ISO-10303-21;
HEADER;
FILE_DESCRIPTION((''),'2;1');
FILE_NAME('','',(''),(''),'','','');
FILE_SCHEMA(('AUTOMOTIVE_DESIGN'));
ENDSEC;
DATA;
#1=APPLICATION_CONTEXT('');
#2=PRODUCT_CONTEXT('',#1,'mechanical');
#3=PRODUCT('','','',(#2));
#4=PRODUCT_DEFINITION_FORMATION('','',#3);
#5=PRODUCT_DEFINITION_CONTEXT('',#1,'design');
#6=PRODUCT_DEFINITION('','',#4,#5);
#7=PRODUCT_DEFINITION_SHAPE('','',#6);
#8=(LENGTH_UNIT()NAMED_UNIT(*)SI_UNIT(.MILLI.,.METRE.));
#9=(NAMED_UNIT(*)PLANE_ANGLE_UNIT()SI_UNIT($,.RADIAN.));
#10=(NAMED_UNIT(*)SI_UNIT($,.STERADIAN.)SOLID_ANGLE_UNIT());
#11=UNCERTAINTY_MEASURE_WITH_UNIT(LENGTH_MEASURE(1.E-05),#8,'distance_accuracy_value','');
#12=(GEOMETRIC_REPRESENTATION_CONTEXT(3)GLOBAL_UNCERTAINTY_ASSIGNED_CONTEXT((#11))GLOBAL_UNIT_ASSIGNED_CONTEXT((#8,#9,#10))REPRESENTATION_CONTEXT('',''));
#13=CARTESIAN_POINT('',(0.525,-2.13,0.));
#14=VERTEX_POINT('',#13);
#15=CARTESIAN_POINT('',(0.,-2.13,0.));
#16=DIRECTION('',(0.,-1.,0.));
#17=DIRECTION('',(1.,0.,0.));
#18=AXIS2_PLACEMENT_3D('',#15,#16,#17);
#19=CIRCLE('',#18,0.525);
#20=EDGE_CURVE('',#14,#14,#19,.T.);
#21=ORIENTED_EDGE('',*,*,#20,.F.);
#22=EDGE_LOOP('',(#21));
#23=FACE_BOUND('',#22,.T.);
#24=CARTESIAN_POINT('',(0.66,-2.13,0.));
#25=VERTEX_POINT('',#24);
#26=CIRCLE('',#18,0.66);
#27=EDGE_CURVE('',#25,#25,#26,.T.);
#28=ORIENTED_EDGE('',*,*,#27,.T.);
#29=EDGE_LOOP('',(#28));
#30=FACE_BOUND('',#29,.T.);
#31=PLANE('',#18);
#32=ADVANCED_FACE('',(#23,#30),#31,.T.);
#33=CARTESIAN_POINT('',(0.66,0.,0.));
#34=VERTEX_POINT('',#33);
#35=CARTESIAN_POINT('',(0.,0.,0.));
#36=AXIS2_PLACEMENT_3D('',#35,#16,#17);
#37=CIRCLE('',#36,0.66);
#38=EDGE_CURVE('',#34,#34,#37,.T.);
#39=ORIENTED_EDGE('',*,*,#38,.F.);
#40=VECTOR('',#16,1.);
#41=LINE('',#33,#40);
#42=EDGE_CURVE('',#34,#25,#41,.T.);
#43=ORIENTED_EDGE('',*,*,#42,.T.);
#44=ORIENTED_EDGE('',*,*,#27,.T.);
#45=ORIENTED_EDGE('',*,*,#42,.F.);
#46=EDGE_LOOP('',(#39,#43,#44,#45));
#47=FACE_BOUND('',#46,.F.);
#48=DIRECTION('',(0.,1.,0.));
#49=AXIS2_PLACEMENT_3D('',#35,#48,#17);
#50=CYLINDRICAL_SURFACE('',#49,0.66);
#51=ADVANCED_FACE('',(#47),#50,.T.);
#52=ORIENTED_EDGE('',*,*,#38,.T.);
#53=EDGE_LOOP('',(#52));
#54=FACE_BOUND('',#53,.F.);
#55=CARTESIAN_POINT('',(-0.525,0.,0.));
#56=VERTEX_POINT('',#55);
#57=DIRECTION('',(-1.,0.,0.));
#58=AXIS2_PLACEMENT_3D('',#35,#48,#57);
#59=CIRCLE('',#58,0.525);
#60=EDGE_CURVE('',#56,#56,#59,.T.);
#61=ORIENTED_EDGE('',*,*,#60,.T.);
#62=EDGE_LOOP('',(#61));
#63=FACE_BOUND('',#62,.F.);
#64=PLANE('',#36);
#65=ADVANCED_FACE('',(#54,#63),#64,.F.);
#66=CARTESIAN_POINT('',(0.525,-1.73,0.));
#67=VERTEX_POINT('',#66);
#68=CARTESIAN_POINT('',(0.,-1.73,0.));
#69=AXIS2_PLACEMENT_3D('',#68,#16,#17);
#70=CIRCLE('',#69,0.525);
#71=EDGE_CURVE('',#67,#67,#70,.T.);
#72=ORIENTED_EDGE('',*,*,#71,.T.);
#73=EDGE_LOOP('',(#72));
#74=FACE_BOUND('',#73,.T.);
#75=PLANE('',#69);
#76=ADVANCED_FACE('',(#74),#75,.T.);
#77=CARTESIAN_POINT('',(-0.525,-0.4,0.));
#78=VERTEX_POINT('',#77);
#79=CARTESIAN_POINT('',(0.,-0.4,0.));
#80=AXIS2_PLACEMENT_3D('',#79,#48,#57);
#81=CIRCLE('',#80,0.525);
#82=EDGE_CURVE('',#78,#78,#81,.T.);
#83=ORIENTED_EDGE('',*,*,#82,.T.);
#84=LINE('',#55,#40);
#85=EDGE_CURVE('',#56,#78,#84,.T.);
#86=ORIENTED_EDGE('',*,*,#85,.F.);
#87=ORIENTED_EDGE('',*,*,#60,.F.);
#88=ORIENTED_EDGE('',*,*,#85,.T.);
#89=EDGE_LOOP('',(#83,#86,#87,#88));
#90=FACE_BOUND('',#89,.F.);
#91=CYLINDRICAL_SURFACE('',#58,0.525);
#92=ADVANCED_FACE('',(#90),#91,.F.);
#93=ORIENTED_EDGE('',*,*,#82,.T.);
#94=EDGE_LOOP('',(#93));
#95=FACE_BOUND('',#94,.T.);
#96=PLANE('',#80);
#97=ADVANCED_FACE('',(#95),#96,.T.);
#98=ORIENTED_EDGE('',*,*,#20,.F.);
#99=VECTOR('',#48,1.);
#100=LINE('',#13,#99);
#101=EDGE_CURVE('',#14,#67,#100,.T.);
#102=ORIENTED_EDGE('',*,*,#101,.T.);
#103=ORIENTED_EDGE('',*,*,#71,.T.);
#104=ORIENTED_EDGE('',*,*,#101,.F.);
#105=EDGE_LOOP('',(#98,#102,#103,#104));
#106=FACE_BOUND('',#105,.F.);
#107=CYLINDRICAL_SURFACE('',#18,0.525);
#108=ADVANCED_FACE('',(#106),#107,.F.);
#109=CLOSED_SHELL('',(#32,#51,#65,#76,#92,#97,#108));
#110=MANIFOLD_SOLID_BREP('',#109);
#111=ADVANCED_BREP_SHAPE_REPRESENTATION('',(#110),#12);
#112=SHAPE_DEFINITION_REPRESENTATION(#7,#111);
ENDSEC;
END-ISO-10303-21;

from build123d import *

# Parameters (mm, degrees)
F0_R     = 0.66
F1_DEPTH = 2.13
F2_R     = 0.525
F3_DEPTH = 0.4
F4_R     = 0.525
F5_DEPTH = 0.4


with BuildPart() as f1:
    # F0 (on Front) → F1 (new body)
    with BuildSketch(Plane.XZ):
        Circle(F0_R)
    extrude(amount=F1_DEPTH)

    # F2 (on face) → F3 (cut)
    with BuildSketch(Plane(origin=(0, 0, 0), x_dir=(-1, 0, 0), z_dir=(0, 1, 0))):
        Circle(F2_R)
    extrude(amount=-F3_DEPTH, mode=Mode.SUBTRACT)

    # F4 (on face) → F5 (cut)
    with BuildSketch(Plane.XZ.offset(2.13)):
        Circle(F4_R)
    extrude(amount=-F5_DEPTH, mode=Mode.SUBTRACT)


solid = f1.part
